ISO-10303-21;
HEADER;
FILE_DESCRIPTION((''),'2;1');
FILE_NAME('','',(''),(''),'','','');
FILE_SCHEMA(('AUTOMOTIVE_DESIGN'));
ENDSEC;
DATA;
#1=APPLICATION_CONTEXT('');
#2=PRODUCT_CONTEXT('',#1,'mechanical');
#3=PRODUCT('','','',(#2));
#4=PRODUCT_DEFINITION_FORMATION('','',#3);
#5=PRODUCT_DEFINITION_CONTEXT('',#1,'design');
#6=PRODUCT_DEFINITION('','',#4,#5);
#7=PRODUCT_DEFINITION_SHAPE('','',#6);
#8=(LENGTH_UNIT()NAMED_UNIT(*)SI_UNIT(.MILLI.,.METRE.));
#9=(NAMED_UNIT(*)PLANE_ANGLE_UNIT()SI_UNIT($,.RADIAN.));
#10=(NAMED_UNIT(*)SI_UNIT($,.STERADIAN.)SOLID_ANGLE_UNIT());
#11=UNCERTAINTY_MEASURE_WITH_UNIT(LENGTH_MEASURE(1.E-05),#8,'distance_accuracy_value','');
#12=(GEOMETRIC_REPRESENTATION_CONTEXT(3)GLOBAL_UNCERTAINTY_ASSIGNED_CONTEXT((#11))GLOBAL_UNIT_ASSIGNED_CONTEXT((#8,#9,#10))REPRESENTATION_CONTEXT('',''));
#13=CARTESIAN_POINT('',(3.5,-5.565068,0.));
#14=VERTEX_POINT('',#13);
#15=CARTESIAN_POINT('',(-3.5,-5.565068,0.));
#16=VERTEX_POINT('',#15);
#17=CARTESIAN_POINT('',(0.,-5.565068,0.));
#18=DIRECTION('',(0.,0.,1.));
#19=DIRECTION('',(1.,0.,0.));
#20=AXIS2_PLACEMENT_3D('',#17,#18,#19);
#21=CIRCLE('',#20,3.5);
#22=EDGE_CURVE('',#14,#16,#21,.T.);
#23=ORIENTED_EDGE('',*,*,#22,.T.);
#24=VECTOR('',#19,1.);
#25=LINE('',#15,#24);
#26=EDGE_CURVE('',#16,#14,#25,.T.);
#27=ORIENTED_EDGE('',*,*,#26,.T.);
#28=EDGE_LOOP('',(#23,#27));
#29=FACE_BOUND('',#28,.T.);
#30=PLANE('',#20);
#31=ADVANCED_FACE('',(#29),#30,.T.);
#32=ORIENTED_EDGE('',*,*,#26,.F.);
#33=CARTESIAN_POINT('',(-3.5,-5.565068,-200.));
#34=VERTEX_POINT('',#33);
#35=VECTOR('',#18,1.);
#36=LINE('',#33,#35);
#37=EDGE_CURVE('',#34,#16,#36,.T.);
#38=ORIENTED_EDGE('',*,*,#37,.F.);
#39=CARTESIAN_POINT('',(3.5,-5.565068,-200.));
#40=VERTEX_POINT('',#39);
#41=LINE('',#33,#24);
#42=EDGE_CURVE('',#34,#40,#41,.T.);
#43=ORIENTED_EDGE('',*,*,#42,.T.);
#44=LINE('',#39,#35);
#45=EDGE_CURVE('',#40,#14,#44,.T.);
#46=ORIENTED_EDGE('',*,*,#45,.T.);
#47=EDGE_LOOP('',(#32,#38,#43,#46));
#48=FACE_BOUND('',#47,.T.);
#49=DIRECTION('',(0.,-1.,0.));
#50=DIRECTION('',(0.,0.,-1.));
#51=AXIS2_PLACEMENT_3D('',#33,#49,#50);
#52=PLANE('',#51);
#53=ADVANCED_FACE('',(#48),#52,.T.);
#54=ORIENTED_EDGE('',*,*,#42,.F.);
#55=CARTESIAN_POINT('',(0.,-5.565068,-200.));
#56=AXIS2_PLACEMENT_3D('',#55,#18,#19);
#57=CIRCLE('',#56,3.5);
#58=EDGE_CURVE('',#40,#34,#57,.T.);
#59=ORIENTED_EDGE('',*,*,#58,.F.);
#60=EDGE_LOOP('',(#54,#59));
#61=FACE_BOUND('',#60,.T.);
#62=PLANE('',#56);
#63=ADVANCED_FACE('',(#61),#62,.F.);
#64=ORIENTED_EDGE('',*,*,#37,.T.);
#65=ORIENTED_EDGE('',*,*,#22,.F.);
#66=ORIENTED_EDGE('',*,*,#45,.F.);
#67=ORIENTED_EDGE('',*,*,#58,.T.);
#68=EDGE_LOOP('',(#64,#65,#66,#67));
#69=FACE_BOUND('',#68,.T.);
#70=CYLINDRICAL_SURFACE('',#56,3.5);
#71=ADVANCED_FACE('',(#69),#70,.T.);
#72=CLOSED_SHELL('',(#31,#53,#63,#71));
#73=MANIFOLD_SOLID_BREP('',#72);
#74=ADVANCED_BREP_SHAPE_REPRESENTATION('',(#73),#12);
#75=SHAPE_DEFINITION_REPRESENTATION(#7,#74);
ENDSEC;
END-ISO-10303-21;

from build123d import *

# Parameters (mm, degrees)
RESSALTO_EXTRUS_O1_DEPTH = 200


with BuildPart() as part:
    # Esboço1 → Ressalto-extrusão1 (new body)
    with BuildSketch(Plane.XY):
        with BuildLine():
            Line((-3.5, -5.56506767), (3.5, -5.56506767))
            ThreePointArc((3.5, -5.56506767), (0, -2.06506767), (-3.5, -5.56506767))
        make_face()
    extrude(amount=-RESSALTO_EXTRUS_O1_DEPTH)


solid = part.part
